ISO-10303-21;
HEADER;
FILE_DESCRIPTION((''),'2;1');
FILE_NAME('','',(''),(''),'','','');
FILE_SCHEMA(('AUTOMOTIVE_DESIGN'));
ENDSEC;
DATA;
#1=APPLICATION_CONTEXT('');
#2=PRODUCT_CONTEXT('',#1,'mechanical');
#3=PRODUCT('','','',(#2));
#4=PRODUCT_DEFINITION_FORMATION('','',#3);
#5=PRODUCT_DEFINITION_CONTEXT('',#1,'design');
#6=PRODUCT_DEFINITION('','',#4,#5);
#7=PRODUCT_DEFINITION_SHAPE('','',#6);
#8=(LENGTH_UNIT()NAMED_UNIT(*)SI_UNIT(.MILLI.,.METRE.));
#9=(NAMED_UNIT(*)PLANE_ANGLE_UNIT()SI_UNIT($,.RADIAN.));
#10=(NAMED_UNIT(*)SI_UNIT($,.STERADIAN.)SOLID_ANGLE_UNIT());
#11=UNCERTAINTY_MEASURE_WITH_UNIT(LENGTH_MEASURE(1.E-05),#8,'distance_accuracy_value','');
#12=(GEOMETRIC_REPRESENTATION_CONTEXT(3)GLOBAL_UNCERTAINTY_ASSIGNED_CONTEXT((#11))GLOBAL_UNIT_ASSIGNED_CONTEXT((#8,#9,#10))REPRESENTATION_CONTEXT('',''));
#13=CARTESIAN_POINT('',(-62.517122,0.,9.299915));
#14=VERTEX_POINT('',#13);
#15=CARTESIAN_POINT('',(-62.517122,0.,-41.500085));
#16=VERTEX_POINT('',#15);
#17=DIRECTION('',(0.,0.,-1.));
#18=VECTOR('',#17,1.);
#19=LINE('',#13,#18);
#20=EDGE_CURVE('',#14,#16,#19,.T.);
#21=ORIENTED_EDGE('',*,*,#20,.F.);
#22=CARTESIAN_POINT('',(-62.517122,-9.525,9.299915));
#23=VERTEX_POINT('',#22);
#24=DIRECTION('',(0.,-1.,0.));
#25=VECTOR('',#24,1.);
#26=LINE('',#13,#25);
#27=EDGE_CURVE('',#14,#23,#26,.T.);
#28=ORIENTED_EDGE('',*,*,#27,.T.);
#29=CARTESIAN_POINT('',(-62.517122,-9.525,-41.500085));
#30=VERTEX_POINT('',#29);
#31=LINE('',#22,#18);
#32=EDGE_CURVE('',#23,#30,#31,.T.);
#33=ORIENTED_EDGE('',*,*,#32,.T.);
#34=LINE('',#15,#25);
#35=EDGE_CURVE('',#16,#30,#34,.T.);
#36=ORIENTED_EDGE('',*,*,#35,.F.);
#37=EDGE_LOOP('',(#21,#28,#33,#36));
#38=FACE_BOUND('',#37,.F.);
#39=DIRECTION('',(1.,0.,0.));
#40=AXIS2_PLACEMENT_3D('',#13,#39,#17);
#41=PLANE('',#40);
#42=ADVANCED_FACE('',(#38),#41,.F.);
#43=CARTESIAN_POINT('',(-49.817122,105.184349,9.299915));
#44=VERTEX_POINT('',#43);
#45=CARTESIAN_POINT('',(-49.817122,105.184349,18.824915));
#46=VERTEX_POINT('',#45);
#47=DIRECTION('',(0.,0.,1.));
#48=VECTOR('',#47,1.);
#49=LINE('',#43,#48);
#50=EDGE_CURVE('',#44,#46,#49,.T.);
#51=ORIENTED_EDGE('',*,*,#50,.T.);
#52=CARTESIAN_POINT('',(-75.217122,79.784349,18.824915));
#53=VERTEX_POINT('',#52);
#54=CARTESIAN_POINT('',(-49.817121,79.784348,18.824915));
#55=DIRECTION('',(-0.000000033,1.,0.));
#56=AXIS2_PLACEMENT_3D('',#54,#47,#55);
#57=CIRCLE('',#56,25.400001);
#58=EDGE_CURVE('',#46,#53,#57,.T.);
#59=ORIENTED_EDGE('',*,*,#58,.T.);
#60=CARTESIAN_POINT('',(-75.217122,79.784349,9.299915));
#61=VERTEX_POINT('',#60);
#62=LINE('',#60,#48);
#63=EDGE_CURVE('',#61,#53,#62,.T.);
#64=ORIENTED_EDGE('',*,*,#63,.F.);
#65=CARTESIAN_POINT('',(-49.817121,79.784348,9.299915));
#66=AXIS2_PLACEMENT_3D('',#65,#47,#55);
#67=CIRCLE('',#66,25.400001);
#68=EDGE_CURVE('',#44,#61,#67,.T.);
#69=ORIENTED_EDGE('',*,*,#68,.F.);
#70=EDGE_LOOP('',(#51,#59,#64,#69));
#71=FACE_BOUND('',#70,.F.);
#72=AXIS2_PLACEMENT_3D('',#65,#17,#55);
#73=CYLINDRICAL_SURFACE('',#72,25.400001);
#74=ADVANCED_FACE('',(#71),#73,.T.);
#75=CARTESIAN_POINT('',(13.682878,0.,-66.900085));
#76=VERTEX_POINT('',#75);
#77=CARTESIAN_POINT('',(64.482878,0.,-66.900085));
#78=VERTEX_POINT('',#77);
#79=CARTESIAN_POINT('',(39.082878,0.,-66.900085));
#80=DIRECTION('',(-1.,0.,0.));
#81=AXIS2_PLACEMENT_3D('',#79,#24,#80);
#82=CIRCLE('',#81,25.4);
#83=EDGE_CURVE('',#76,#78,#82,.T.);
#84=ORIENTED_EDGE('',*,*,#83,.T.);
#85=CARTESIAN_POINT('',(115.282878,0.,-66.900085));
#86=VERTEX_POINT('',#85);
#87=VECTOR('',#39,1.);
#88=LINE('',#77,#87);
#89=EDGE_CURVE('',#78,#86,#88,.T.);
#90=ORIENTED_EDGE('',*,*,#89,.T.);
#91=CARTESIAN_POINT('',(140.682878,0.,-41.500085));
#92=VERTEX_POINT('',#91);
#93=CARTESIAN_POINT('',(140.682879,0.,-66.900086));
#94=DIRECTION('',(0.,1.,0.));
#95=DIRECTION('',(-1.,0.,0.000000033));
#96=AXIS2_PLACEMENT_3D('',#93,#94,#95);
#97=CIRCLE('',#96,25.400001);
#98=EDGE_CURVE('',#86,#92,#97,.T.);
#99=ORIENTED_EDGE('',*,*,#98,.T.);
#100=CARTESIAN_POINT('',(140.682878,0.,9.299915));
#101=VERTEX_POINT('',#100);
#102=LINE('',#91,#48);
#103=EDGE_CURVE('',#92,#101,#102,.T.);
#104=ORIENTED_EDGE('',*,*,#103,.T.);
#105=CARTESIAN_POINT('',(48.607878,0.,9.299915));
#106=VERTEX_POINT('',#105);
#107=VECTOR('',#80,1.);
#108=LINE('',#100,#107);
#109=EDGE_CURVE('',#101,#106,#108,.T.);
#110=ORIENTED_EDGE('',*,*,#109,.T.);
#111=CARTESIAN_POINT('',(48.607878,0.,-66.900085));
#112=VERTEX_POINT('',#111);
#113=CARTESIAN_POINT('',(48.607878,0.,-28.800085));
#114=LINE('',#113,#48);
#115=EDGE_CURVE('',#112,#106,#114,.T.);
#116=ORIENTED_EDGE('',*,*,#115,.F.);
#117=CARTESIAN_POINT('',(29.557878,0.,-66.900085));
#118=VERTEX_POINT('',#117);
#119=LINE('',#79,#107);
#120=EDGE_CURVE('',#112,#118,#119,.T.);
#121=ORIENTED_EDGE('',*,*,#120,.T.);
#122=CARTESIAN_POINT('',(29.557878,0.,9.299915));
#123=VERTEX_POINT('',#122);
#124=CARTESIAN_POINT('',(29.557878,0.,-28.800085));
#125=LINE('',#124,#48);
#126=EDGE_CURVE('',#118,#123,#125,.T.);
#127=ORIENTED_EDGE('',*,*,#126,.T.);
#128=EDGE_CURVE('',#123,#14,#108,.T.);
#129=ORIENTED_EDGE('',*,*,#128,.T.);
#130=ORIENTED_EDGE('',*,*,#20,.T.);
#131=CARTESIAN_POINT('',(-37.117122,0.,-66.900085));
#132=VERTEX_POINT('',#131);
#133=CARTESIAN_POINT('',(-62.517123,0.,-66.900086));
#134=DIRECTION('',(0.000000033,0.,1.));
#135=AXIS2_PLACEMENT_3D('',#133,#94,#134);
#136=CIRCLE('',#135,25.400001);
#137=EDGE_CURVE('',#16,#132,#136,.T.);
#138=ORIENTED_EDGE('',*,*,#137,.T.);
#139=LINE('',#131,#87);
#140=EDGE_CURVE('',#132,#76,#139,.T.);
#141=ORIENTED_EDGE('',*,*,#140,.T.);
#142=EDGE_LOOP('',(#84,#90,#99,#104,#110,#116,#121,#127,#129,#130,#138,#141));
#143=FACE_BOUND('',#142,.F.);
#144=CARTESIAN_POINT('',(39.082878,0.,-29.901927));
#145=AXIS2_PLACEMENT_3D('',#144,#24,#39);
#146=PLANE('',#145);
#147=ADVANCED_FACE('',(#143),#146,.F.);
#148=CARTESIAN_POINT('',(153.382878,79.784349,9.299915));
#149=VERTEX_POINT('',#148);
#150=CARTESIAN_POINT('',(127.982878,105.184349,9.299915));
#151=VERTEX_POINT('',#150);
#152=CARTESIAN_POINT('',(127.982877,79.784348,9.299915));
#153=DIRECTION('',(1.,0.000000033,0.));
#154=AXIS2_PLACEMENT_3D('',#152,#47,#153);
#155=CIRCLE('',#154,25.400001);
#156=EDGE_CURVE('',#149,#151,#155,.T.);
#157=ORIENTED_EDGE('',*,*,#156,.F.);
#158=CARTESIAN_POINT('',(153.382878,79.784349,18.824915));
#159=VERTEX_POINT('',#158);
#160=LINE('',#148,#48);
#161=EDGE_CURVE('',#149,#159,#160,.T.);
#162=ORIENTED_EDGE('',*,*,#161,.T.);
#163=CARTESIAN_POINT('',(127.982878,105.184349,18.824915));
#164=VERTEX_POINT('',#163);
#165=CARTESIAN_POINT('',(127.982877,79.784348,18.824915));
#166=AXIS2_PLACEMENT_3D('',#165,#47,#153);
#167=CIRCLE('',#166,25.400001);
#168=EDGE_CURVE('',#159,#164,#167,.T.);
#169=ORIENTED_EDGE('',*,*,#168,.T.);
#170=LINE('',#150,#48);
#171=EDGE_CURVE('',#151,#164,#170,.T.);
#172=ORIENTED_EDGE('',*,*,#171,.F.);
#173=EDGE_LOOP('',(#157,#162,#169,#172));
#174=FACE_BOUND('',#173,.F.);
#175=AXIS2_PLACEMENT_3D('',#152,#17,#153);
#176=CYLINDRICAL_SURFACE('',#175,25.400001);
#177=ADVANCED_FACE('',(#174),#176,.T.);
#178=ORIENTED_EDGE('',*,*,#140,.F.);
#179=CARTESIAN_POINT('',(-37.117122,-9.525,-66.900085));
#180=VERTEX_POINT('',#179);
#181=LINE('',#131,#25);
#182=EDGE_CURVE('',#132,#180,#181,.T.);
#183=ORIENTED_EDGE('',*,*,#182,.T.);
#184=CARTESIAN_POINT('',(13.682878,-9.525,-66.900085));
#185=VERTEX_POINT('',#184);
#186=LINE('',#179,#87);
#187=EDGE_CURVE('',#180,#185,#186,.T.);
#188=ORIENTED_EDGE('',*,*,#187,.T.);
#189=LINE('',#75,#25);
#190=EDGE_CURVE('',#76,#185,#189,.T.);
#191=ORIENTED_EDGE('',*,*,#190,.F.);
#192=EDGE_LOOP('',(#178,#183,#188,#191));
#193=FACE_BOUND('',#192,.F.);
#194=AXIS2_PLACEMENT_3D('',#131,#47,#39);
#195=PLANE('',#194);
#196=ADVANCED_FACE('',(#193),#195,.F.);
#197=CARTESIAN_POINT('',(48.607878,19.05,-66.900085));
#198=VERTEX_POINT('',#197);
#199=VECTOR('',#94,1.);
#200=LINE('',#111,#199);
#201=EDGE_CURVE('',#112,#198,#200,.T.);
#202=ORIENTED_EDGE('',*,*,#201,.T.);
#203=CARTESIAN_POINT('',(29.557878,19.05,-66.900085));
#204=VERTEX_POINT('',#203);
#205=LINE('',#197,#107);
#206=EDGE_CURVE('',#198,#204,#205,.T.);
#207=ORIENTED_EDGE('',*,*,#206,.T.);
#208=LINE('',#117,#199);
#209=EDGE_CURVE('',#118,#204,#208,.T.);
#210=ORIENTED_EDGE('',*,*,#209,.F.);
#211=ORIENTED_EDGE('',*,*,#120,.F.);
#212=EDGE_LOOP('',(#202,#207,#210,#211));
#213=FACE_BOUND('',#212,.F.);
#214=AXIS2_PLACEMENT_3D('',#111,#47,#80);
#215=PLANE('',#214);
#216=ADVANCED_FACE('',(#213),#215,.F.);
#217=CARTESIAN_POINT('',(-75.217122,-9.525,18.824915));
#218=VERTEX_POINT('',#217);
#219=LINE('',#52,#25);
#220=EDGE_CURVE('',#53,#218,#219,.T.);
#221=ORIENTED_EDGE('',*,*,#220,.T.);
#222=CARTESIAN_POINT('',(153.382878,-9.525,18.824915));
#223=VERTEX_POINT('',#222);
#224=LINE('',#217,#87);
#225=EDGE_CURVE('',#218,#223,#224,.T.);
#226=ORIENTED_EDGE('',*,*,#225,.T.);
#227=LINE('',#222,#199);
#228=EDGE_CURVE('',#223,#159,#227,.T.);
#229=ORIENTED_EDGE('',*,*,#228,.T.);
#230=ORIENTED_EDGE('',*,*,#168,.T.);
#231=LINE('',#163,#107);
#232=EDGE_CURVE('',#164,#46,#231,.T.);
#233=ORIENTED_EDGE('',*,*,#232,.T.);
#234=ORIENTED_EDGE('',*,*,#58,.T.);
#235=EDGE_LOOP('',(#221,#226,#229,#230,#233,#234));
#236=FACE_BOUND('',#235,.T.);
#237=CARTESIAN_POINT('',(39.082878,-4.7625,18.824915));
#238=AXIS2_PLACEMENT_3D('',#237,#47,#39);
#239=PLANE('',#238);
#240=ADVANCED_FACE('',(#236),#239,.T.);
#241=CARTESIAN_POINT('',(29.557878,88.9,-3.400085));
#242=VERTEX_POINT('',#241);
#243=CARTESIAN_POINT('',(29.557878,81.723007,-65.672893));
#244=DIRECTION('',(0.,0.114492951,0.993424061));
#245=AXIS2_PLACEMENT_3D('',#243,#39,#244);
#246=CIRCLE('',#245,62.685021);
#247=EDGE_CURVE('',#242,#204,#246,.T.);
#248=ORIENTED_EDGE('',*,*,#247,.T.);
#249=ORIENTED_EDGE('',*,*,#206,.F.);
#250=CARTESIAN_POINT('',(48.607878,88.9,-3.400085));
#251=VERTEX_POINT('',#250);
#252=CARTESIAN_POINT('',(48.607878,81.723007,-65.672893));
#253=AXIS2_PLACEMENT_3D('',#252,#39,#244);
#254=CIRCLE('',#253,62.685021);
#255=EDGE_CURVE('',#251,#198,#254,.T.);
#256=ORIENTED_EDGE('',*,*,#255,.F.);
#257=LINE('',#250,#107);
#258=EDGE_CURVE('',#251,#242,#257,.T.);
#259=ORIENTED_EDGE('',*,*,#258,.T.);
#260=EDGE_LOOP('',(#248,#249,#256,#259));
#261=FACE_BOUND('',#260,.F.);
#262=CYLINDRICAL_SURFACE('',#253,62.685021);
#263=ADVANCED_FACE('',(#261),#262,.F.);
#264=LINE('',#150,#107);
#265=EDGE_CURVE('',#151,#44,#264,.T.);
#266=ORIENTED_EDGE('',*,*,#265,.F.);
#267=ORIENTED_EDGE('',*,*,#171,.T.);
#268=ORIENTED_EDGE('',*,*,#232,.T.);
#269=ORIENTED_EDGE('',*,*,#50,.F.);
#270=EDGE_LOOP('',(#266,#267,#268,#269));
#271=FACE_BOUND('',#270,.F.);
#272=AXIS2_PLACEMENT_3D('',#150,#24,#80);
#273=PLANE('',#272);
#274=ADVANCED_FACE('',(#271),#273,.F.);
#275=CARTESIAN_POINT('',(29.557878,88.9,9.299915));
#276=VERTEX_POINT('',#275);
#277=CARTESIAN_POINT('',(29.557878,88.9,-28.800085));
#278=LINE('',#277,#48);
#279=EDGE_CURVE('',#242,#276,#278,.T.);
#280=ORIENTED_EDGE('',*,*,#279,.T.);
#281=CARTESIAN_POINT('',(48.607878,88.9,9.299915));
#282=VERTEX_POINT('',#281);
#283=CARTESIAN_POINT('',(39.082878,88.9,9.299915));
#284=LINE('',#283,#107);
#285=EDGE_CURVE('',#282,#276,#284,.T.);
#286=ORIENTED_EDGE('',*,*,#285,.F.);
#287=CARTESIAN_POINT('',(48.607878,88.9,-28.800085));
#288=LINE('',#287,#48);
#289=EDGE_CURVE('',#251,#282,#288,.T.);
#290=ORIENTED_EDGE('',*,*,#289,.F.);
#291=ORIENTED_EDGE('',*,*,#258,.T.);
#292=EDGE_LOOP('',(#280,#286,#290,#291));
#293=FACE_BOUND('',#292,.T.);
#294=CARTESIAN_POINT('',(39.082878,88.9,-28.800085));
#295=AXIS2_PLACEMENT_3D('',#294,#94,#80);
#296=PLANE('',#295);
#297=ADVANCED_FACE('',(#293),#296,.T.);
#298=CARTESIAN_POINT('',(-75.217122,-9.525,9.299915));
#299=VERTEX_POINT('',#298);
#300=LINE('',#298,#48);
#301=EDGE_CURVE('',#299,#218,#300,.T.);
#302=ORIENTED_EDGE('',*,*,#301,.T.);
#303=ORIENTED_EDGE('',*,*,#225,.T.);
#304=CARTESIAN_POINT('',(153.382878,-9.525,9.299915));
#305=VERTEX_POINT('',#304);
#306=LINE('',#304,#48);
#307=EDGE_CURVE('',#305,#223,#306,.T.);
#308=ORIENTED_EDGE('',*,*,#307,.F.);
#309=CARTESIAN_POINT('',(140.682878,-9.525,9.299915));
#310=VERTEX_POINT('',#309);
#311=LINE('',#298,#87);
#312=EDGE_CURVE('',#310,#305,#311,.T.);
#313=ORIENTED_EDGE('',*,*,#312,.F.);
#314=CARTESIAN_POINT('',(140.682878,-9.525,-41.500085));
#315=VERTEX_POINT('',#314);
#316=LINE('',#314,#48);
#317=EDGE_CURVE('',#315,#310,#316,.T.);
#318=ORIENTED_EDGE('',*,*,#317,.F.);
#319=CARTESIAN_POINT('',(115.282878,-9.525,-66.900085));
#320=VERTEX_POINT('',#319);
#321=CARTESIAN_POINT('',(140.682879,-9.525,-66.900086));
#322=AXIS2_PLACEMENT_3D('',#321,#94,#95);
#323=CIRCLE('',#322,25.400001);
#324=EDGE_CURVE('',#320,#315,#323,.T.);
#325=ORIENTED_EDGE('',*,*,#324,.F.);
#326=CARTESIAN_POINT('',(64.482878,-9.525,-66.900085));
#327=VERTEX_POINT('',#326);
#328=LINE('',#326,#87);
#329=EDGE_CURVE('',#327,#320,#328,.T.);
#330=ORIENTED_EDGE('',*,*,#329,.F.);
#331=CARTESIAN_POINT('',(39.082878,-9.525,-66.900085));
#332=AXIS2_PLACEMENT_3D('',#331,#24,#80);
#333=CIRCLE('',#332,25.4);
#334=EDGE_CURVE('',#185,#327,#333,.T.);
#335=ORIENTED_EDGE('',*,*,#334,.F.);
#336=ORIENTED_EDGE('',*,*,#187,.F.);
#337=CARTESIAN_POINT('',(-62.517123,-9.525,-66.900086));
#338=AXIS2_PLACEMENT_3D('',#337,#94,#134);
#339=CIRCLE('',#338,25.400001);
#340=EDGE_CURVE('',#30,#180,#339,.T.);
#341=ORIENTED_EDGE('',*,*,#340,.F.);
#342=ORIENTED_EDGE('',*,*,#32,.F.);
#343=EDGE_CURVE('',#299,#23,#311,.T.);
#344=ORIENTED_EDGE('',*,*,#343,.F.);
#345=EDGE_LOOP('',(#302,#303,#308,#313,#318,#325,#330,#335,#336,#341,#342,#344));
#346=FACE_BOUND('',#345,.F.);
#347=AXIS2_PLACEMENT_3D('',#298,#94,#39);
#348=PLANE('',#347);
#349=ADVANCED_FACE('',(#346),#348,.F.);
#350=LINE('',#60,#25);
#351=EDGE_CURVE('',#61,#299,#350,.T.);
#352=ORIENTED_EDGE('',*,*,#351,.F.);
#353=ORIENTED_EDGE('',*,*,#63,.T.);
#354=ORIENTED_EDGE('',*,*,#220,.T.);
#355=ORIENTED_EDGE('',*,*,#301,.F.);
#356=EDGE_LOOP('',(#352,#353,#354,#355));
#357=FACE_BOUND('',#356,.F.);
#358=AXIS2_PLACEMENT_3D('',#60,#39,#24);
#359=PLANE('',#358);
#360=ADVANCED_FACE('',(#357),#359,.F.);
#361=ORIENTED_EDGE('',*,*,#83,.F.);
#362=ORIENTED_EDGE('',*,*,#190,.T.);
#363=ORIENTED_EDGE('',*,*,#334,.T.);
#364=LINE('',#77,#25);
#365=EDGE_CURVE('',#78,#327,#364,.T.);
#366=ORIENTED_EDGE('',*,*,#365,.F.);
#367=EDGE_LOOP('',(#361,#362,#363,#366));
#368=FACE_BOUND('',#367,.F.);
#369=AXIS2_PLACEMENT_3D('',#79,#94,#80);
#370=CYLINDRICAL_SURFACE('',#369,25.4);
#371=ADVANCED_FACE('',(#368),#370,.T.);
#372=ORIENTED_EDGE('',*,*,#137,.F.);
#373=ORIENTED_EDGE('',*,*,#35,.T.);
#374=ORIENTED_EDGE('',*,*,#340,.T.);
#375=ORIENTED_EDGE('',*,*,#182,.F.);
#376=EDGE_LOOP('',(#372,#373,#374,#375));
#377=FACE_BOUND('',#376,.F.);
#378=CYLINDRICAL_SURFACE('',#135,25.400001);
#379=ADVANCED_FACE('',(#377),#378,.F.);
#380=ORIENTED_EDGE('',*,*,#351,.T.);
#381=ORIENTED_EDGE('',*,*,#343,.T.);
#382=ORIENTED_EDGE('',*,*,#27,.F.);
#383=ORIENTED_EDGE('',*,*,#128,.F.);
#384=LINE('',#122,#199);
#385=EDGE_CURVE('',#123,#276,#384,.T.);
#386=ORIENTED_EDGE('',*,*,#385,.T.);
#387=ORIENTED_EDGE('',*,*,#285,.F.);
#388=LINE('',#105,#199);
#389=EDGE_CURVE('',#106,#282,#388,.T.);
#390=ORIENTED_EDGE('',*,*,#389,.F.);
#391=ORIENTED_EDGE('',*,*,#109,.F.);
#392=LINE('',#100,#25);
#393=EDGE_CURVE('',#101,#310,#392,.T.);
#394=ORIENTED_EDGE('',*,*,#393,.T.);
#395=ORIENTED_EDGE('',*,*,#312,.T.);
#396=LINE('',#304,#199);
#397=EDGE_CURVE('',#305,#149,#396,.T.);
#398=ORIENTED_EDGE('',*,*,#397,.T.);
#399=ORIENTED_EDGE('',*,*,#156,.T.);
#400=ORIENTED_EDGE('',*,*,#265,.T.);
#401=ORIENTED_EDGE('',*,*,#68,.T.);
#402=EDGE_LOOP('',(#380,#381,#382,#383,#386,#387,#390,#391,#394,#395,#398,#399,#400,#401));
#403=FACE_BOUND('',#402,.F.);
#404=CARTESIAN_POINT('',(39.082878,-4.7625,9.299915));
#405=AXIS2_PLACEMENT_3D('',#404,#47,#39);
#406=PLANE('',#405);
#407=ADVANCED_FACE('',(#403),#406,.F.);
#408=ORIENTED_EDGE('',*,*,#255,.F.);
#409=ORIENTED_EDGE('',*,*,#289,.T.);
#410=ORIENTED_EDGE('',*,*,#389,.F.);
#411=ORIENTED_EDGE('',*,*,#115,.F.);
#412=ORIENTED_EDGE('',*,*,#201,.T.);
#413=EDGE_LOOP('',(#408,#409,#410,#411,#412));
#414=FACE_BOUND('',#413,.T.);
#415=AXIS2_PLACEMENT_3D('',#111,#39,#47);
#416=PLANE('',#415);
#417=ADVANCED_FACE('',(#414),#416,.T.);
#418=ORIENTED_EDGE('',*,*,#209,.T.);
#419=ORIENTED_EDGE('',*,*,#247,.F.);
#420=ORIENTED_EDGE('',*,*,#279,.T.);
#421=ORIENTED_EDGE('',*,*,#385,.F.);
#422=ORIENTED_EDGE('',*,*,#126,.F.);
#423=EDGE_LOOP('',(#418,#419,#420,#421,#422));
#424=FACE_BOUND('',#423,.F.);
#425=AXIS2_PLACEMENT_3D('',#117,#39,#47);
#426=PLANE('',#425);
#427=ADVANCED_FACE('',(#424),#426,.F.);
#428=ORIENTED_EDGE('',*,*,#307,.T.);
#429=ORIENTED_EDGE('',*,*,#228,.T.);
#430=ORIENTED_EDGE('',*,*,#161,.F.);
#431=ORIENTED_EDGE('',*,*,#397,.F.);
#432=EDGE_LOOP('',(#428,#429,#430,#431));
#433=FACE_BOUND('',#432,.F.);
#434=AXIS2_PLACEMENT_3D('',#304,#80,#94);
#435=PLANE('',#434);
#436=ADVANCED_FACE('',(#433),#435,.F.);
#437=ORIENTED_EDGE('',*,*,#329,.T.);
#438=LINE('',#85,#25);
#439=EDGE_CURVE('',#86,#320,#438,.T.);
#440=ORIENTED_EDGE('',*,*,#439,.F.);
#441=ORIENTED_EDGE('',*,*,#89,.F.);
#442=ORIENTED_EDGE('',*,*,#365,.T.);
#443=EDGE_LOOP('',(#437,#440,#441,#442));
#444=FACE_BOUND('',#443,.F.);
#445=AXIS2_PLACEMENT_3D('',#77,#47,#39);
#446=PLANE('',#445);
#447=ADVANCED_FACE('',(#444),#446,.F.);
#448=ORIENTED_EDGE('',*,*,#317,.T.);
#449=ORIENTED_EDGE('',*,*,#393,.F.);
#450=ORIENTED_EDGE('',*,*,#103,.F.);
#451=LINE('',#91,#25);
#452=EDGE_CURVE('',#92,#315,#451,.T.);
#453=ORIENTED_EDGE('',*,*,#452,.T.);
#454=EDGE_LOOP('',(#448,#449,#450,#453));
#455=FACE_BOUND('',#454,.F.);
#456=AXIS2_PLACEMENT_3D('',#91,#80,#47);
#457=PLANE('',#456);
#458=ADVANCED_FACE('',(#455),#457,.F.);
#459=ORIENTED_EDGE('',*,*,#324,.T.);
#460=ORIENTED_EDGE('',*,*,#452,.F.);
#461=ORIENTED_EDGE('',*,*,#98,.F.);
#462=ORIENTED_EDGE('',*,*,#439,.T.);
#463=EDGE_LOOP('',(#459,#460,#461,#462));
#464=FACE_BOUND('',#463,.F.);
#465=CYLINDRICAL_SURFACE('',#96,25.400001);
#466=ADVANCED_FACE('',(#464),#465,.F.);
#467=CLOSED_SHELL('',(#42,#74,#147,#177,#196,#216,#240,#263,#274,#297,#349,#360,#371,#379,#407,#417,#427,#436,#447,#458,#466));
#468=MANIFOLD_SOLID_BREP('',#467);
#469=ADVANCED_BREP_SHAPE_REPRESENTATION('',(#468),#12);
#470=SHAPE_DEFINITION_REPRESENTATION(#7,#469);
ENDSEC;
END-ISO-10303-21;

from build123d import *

# Parameters (mm, degrees)
F1_DEPTH = 9.525
F2_W     = 203.2
F2_H     = 9.525
F3_DEPTH = 9.525
F4_W     = 19.05
F4_H     = 76.2
F5_DEPTH = 88.9
F7_DEPTH = 123.826


with BuildPart() as f1:
    # F0 (on Front) → F1 (new body)
    with BuildSketch(Plane.XZ):
        with BuildLine():
            Line((140.682878, 9.299915), (-62.517122, 9.299915))
            Line((-62.517122, 9.299915), (-62.517122, -41.500085))
            ThreePointArc((-62.517122, -41.500085), (-44.55661, -48.939573), (-37.117122, -66.900085))
            Line((-37.117122, -66.900085), (13.682878, -66.900085))
            ThreePointArc((13.682878, -66.900085), (39.082878, -92.300085), (64.482878, -66.900085))
            Line((64.482878, -66.900085), (115.282878, -66.900085))
            ThreePointArc((115.282878, -66.900085), (122.722366, -48.939573), (140.682878, -41.500085))
            Line((140.682878, -41.500085), (140.682878, 9.299915))
        make_face()
    extrude(amount=F1_DEPTH)

    # F2 (on face) → F3 (join)
    with BuildSketch(Plane.XY.offset(9.299915)):
        with Locations((39.082878, -4.7625)):
            Rectangle(F2_W, F2_H)
        with BuildLine():
            Line((-75.217122, -9.525), (-62.517122, -9.525))
            Line((-62.517122, -9.525), (-62.517122, 0))
            Line((-62.517122, 0), (140.682878, 0))
            Line((140.682878, 0), (140.682878, -9.525))
            Line((140.682878, -9.525), (153.382878, -9.525))
            Line((153.382878, -9.525), (153.382878, 79.784349))
            ThreePointArc((153.382878, 79.784349), (145.94339, 97.744861), (127.982878, 105.184349))
            Line((127.982878, 105.184349), (-49.817122, 105.184349))
            ThreePointArc((-49.817122, 105.184349), (-67.777634, 97.744861), (-75.217122, 79.784349))
            Line((-75.217122, 79.784349), (-75.217122, -9.525))
        make_face()
    extrude(amount=F3_DEPTH)

    # F4 (on face) → F5 (join)
    with BuildSketch(Plane(origin=(0, 0, 0), x_dir=(-1, 0, 0), z_dir=(0, 1, 0))):
        with Locations((-39.082878, -28.800085)):
            Rectangle(F4_W, F4_H)
    extrude(amount=F5_DEPTH)

    # F6 (on face) → F7 (cut, through all)
    with BuildSketch(Plane.YZ.offset(48.607878)):
        with BuildLine():
            ThreePointArc((19.05, -66.900085), (82.336633, -128.35491), (144.408027, -65.672893))
            ThreePointArc((144.408027, -65.672893), (128.516712, -23.962451), (88.9, -3.400085))
            ThreePointArc((88.9, -3.400085), (39.556499, -19.289734), (19.05, -66.900085))
        make_face()
    extrude(amount=-F7_DEPTH, mode=Mode.SUBTRACT)


solid = f1.part
